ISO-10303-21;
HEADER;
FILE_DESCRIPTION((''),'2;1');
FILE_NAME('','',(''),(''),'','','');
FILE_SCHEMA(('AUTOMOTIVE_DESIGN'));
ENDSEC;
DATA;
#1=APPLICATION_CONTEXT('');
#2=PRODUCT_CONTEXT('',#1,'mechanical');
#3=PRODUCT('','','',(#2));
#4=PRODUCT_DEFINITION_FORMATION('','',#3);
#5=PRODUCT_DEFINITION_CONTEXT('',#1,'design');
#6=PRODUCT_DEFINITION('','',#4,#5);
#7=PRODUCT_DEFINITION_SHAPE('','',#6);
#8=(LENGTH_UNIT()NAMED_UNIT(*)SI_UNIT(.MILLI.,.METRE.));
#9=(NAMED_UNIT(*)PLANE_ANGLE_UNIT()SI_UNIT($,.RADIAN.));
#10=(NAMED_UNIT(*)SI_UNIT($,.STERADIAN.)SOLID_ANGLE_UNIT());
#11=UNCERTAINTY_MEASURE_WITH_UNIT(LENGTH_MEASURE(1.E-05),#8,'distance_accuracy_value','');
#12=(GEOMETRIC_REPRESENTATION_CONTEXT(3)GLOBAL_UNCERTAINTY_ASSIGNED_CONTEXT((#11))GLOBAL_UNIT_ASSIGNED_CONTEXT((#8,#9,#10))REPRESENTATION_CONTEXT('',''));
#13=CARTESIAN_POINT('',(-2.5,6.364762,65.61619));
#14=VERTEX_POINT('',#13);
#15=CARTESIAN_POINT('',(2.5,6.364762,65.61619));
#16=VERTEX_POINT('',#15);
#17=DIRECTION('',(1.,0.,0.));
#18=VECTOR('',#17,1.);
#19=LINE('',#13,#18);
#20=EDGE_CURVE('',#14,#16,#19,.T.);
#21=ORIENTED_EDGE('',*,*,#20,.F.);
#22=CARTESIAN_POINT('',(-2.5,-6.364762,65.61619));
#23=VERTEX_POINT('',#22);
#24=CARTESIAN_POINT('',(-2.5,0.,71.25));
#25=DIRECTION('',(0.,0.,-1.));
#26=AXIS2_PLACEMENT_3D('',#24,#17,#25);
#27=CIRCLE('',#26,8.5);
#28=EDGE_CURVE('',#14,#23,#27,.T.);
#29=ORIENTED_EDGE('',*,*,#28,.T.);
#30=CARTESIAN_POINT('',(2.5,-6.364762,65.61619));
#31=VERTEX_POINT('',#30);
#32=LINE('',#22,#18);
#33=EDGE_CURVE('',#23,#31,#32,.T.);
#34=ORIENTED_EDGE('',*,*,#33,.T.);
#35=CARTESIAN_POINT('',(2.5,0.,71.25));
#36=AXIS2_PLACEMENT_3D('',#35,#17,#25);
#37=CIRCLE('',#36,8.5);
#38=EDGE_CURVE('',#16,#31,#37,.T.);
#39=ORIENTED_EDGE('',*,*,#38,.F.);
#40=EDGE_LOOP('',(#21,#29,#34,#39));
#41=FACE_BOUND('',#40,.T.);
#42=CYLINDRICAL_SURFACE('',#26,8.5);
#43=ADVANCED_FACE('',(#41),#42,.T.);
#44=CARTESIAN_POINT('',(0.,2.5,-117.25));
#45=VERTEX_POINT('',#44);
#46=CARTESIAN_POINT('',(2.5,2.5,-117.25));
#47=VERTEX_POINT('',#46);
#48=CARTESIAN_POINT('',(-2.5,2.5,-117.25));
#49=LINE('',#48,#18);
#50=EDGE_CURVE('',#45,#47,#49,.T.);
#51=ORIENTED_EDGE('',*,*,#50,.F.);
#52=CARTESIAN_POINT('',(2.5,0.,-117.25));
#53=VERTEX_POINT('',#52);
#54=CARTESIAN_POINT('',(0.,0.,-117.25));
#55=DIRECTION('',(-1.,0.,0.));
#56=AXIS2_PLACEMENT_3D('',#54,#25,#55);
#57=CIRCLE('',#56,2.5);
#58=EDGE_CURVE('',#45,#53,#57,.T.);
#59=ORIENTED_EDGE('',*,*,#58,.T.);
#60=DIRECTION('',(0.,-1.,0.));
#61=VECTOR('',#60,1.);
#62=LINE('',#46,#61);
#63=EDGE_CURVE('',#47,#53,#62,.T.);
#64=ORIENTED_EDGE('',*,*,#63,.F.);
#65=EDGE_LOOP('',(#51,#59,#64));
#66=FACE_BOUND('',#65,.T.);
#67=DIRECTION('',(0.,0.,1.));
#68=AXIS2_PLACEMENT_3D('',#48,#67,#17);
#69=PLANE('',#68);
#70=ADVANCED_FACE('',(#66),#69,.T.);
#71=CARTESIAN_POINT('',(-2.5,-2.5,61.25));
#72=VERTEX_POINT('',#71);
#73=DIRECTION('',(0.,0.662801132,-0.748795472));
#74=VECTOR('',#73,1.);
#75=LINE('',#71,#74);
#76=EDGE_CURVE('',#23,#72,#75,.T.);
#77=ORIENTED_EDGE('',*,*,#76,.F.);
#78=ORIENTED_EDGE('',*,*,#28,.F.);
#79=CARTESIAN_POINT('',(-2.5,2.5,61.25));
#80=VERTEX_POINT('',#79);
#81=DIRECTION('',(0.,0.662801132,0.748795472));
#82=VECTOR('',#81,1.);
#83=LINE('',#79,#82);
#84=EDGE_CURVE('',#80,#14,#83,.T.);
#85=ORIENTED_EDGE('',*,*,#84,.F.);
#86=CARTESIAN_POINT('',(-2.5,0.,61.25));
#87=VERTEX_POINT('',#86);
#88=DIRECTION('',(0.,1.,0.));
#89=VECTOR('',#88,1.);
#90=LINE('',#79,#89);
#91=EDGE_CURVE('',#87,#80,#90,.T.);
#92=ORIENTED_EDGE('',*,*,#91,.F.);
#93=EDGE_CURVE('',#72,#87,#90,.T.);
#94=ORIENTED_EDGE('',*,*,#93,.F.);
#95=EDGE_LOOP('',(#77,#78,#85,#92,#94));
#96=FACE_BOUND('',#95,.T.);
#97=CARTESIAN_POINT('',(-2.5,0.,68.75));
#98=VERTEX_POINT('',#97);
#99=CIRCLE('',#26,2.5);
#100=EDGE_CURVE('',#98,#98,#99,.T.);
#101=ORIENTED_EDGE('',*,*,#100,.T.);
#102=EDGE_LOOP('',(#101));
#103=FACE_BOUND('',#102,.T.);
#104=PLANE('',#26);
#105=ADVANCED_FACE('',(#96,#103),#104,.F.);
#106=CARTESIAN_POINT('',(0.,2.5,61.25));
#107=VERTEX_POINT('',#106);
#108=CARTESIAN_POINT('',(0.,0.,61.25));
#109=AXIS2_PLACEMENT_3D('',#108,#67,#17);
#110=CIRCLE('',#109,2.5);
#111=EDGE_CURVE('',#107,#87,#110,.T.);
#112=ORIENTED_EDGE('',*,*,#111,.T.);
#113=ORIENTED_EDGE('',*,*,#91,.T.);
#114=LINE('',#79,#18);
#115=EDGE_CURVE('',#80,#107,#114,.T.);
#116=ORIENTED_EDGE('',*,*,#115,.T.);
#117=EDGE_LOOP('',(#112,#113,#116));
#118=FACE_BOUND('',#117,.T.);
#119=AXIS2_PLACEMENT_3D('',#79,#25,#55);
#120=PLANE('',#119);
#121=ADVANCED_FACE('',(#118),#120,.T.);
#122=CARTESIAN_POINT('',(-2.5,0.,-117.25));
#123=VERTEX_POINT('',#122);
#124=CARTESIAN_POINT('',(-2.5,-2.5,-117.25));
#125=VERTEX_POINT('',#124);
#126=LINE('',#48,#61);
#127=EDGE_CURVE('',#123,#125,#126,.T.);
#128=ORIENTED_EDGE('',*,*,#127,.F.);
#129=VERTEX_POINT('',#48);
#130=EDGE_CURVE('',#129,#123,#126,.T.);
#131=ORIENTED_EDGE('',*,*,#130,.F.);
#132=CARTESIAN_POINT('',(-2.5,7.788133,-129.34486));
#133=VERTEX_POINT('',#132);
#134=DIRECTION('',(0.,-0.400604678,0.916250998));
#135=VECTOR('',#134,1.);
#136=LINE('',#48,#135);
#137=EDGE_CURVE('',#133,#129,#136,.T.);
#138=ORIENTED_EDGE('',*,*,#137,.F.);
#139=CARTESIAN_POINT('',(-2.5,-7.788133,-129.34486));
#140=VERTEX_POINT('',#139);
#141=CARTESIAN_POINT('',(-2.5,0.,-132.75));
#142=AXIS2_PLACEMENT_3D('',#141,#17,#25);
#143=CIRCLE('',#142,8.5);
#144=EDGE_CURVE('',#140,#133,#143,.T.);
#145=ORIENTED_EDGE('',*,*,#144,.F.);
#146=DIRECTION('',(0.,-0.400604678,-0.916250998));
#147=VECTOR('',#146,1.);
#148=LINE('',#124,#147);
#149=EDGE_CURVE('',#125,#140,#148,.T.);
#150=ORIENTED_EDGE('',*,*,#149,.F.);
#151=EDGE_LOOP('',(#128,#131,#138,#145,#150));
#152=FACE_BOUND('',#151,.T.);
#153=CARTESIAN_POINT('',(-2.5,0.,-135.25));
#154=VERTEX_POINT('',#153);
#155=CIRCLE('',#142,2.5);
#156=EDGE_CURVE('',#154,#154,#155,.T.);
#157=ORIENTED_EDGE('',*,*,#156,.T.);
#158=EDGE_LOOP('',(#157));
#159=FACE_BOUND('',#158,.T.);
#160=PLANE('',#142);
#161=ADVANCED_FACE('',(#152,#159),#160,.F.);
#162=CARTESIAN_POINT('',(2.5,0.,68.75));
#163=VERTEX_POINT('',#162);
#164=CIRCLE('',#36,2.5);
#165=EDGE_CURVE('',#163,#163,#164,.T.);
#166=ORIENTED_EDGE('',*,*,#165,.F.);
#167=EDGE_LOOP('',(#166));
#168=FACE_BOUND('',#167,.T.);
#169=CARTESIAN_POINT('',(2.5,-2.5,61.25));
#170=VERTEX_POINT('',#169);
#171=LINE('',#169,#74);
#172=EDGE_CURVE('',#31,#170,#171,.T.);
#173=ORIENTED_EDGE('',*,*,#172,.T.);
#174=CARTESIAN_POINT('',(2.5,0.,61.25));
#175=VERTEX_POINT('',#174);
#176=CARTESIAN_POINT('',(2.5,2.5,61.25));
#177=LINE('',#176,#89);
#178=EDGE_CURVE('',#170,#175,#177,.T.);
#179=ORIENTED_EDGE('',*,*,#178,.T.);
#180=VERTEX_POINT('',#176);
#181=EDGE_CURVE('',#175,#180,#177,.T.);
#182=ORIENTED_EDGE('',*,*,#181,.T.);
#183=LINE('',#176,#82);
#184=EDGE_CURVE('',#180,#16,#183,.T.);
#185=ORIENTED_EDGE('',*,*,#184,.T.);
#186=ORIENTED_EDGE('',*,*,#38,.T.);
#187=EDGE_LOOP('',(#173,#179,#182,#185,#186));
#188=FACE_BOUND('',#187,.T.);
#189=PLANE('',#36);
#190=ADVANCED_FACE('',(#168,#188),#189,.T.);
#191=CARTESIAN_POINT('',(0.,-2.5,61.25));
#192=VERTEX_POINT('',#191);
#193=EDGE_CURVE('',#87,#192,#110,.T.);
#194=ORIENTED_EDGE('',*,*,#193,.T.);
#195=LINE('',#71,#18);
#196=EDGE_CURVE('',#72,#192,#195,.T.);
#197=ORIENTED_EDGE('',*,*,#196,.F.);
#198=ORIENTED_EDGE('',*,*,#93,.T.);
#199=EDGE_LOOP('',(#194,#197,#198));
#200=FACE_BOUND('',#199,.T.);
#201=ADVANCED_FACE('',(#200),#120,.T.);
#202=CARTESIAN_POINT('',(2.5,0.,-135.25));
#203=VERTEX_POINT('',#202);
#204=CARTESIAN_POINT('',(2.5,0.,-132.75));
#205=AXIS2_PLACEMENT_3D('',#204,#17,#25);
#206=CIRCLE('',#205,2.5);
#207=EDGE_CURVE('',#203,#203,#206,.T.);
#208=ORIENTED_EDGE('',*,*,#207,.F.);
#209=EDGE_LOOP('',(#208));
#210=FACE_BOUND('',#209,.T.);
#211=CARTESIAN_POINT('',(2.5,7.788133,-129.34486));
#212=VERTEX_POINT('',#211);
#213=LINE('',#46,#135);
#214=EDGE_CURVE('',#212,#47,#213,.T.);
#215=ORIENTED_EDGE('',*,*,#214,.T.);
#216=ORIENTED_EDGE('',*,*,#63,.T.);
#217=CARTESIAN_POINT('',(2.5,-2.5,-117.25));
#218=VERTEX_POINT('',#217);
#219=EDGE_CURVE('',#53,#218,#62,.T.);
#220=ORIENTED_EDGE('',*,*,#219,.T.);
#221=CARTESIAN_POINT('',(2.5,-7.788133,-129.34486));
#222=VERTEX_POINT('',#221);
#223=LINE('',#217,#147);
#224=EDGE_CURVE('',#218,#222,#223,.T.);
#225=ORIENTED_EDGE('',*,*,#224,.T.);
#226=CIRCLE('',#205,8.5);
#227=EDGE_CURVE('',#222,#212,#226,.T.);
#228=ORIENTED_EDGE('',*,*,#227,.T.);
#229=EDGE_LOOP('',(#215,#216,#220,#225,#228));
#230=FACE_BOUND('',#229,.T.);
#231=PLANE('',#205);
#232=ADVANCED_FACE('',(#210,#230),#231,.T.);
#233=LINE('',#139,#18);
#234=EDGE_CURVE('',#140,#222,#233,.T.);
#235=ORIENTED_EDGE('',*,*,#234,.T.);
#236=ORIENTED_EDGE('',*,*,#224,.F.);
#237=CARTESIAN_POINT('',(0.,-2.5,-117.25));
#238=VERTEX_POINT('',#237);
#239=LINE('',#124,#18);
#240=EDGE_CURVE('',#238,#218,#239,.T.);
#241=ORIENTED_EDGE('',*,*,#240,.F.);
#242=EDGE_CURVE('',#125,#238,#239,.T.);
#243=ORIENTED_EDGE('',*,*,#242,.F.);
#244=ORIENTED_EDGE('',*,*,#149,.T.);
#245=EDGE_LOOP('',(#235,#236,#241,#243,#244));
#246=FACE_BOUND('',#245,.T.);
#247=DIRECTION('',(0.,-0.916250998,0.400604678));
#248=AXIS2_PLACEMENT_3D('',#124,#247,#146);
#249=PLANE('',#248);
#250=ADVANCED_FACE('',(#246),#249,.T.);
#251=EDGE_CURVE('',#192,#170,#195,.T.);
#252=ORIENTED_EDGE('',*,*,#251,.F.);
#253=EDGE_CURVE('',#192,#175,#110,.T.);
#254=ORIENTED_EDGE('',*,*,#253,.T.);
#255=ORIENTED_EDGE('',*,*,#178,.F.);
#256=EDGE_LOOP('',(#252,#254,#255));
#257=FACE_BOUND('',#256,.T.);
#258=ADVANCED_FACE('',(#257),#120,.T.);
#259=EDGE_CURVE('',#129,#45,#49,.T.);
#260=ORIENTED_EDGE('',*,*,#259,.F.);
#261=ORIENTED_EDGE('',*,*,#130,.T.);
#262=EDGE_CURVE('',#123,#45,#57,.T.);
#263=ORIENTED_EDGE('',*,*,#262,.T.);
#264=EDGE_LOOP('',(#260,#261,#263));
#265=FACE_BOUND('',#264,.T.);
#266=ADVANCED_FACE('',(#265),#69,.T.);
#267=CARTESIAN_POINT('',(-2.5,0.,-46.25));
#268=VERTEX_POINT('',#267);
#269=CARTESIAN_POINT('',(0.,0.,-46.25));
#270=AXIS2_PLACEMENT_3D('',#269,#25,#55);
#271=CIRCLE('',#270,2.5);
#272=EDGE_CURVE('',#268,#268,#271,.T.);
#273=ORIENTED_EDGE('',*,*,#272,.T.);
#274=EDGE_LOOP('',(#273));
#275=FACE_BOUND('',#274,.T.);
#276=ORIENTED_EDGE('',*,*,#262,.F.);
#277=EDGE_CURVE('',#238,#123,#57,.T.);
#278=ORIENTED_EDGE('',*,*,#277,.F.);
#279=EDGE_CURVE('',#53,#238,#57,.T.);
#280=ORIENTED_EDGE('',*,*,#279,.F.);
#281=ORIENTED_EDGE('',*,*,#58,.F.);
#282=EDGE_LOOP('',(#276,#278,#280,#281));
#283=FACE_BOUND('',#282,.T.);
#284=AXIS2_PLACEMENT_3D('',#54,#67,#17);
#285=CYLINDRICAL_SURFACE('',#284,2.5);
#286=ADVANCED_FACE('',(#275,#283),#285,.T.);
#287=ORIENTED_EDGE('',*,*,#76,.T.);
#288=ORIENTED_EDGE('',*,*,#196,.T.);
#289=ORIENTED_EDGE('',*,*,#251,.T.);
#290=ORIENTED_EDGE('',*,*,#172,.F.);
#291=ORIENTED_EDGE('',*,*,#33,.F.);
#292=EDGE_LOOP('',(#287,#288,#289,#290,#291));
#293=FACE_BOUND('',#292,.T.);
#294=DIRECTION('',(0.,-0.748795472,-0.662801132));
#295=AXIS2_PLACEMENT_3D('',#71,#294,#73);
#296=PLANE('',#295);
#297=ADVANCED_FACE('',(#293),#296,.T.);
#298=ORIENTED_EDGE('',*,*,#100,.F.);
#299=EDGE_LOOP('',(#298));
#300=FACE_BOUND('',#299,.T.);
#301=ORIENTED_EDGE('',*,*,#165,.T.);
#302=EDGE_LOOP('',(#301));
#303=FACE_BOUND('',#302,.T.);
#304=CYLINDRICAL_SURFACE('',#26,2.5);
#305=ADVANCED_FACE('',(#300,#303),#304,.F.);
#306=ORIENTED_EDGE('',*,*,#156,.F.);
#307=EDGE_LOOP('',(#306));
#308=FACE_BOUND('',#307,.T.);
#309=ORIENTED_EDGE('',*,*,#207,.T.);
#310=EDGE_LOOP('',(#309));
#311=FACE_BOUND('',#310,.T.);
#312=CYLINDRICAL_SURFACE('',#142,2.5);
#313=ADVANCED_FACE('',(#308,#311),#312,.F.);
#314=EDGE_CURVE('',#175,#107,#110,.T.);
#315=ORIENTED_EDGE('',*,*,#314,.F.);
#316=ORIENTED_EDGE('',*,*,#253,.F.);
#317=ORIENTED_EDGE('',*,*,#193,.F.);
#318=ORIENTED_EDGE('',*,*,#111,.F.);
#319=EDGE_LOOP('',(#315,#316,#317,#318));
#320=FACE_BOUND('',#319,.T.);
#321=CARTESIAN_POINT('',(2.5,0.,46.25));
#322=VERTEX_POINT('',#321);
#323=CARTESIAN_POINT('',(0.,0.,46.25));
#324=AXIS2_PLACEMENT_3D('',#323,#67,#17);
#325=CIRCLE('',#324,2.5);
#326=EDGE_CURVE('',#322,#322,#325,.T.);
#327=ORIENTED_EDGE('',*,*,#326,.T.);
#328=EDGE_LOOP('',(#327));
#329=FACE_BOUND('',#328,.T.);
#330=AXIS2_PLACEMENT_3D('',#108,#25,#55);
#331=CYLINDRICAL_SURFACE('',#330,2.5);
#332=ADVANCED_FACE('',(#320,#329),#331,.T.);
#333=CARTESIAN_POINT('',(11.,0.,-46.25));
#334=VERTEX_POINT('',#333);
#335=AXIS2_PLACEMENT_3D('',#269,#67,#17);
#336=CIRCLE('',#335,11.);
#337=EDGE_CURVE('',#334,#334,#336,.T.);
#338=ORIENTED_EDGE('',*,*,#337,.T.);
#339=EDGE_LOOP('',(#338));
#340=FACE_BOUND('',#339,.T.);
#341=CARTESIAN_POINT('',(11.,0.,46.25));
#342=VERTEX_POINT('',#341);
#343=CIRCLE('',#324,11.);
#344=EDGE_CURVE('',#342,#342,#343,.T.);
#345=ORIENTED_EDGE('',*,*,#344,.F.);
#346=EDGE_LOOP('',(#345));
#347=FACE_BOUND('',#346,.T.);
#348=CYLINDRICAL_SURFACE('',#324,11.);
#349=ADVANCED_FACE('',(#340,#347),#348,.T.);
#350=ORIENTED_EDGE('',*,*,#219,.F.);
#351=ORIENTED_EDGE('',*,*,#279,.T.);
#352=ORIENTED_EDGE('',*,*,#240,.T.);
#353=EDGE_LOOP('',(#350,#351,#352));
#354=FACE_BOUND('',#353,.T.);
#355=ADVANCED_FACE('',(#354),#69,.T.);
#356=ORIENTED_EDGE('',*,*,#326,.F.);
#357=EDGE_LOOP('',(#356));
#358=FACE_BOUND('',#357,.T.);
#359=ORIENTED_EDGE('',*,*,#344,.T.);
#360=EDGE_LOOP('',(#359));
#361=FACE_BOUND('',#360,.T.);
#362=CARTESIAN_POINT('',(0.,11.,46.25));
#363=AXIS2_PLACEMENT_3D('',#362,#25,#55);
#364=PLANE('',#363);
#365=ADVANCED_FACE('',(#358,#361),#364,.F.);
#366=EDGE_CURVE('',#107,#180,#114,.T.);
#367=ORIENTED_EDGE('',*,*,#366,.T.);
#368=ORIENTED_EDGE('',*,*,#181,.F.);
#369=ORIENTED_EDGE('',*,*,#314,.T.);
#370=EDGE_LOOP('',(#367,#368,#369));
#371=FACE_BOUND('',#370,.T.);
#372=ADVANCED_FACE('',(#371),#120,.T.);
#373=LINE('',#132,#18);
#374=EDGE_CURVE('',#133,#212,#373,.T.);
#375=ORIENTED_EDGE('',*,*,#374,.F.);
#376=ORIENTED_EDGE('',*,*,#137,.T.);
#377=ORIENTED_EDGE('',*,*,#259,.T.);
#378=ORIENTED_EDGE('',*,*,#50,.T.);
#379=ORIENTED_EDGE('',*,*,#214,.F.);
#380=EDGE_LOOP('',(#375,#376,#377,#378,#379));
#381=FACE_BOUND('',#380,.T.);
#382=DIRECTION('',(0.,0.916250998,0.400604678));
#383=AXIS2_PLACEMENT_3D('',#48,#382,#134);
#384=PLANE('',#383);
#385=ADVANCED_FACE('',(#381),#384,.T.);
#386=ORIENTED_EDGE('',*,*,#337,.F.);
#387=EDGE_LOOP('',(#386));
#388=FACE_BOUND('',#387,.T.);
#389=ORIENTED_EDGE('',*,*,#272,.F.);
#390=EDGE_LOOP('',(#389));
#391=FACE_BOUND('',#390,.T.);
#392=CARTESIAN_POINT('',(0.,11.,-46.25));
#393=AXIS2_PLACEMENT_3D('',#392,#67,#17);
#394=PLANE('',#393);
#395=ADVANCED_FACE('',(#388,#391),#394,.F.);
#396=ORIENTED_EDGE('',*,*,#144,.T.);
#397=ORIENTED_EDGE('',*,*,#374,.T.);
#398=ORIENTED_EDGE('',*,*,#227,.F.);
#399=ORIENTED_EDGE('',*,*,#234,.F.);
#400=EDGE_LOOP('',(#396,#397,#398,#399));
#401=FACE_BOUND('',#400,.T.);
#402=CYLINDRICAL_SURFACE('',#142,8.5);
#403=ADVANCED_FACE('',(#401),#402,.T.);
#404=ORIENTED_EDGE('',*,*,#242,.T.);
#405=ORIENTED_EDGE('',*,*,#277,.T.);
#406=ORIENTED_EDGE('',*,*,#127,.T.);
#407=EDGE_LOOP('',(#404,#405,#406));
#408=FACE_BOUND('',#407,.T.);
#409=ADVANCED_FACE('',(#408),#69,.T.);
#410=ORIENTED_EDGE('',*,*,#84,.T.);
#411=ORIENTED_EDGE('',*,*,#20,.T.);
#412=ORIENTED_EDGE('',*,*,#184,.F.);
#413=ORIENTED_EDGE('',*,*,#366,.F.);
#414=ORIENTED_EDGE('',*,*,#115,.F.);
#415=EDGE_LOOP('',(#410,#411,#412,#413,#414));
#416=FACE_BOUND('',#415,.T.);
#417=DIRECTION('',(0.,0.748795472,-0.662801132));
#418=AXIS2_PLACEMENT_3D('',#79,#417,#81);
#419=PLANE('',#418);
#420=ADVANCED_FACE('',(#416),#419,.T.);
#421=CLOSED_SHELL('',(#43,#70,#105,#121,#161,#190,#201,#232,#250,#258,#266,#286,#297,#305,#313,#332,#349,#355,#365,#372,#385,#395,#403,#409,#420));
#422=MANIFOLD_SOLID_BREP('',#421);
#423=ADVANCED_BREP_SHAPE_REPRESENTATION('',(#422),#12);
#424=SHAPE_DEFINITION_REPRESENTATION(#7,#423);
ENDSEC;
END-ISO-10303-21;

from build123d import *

# Parameters (mm, degrees)
SKETCH1_W                = 92.5
SKETCH1_H                = 11
SKETCH2_R                = 2.5
BOSS_EXTRUDE1_DEPTH      = 15
BOSS_EXTRUDE2_DEPTH      = 2.5
BOSS_EXTRUDE2_DEPTH_BACK = 2.5
SKETCH3_R                = 2.5
BOSS_EXTRUDE3_START      = 71
SKETCH4_R                = 2.5
BOSS_EXTRUDE3_DEPTH      = 71
BOSS_EXTRUDE4_DEPTH      = 2.5
BOSS_EXTRUDE4_DEPTH_BACK = 2.5
SKETCH5_R                = 2.5


with BuildPart() as part:
    # Sketch1 → Revolve1 (revolve)
    with BuildSketch(Plane(origin=(0, 0, 0), x_dir=(0, 0, -1), z_dir=(1, 0, 0)), mode=Mode.PRIVATE) as revolve1_sk:
        with Locations((0, 5.5)):
            Rectangle(SKETCH1_W, SKETCH1_H)
    revolve(revolve1_sk.sketch.rotate(Axis((0, 0, 46.25), (0, 0, -1)), 90), axis=Axis((0, 0, 46.25), (0, 0, -1)))

    # Sketch2 → Boss-Extrude1 (add)
    with BuildSketch(Plane.XY.offset(46.25)):
        Circle(SKETCH2_R)
    extrude(amount=BOSS_EXTRUDE1_DEPTH)

    # Sketch3 → Boss-Extrude2 (add, two sides: drawn at the far end of the back side and taken through both)
    with BuildSketch(Plane(origin=(0, 0, 0), x_dir=(0, 0, -1), z_dir=(1, 0, 0)).offset(-BOSS_EXTRUDE2_DEPTH_BACK)):
        with BuildLine():
            Line((-61.25, 2.5), (-65.616190379, 6.364761516))
            ThreePointArc((-65.616190379, 6.364761516), (-79.75, 0), (-65.616190379, -6.364761516))
            Line((-65.616190379, -6.364761516), (-61.25, -2.5))
            Line((-61.25, -2.5), (-61.25, 2.5))
        make_face()
        with Locations((-71.25, 0)):
            Circle(SKETCH3_R, mode=Mode.SUBTRACT)
    extrude(amount=BOSS_EXTRUDE2_DEPTH + BOSS_EXTRUDE2_DEPTH_BACK)

    # Sketch4 → Boss-Extrude3 (add)
    with BuildSketch(Plane(origin=(0, 0, -46.25), x_dir=(-1, 0, 0), z_dir=(0, 0, -1)).offset(BOSS_EXTRUDE3_START)):
        with Locations(Location((0, 0, 0), (0, 0, 180))):
            Circle(SKETCH4_R)
    extrude(amount=-BOSS_EXTRUDE3_DEPTH)

    # Sketch5 → Boss-Extrude4 (add, two sides: drawn at the far end of the back side and taken through both)
    with BuildSketch(Plane(origin=(0, 0, 0), x_dir=(0, 0, -1), z_dir=(1, 0, 0)).offset(-BOSS_EXTRUDE4_DEPTH_BACK)):
        with BuildLine():
            Line((117.25, 2.5), (129.34486024, 7.788133487))
            ThreePointArc((129.34486024, 7.788133487), (141.25, 0), (129.34486024, -7.788133487))
            Line((129.34486024, -7.788133487), (117.25, -2.5))
            Line((117.25, -2.5), (117.25, 2.5))
        make_face()
        with Locations((132.75, 0)):
            Circle(SKETCH5_R, mode=Mode.SUBTRACT)
    extrude(amount=BOSS_EXTRUDE4_DEPTH + BOSS_EXTRUDE4_DEPTH_BACK)


solid = part.part
